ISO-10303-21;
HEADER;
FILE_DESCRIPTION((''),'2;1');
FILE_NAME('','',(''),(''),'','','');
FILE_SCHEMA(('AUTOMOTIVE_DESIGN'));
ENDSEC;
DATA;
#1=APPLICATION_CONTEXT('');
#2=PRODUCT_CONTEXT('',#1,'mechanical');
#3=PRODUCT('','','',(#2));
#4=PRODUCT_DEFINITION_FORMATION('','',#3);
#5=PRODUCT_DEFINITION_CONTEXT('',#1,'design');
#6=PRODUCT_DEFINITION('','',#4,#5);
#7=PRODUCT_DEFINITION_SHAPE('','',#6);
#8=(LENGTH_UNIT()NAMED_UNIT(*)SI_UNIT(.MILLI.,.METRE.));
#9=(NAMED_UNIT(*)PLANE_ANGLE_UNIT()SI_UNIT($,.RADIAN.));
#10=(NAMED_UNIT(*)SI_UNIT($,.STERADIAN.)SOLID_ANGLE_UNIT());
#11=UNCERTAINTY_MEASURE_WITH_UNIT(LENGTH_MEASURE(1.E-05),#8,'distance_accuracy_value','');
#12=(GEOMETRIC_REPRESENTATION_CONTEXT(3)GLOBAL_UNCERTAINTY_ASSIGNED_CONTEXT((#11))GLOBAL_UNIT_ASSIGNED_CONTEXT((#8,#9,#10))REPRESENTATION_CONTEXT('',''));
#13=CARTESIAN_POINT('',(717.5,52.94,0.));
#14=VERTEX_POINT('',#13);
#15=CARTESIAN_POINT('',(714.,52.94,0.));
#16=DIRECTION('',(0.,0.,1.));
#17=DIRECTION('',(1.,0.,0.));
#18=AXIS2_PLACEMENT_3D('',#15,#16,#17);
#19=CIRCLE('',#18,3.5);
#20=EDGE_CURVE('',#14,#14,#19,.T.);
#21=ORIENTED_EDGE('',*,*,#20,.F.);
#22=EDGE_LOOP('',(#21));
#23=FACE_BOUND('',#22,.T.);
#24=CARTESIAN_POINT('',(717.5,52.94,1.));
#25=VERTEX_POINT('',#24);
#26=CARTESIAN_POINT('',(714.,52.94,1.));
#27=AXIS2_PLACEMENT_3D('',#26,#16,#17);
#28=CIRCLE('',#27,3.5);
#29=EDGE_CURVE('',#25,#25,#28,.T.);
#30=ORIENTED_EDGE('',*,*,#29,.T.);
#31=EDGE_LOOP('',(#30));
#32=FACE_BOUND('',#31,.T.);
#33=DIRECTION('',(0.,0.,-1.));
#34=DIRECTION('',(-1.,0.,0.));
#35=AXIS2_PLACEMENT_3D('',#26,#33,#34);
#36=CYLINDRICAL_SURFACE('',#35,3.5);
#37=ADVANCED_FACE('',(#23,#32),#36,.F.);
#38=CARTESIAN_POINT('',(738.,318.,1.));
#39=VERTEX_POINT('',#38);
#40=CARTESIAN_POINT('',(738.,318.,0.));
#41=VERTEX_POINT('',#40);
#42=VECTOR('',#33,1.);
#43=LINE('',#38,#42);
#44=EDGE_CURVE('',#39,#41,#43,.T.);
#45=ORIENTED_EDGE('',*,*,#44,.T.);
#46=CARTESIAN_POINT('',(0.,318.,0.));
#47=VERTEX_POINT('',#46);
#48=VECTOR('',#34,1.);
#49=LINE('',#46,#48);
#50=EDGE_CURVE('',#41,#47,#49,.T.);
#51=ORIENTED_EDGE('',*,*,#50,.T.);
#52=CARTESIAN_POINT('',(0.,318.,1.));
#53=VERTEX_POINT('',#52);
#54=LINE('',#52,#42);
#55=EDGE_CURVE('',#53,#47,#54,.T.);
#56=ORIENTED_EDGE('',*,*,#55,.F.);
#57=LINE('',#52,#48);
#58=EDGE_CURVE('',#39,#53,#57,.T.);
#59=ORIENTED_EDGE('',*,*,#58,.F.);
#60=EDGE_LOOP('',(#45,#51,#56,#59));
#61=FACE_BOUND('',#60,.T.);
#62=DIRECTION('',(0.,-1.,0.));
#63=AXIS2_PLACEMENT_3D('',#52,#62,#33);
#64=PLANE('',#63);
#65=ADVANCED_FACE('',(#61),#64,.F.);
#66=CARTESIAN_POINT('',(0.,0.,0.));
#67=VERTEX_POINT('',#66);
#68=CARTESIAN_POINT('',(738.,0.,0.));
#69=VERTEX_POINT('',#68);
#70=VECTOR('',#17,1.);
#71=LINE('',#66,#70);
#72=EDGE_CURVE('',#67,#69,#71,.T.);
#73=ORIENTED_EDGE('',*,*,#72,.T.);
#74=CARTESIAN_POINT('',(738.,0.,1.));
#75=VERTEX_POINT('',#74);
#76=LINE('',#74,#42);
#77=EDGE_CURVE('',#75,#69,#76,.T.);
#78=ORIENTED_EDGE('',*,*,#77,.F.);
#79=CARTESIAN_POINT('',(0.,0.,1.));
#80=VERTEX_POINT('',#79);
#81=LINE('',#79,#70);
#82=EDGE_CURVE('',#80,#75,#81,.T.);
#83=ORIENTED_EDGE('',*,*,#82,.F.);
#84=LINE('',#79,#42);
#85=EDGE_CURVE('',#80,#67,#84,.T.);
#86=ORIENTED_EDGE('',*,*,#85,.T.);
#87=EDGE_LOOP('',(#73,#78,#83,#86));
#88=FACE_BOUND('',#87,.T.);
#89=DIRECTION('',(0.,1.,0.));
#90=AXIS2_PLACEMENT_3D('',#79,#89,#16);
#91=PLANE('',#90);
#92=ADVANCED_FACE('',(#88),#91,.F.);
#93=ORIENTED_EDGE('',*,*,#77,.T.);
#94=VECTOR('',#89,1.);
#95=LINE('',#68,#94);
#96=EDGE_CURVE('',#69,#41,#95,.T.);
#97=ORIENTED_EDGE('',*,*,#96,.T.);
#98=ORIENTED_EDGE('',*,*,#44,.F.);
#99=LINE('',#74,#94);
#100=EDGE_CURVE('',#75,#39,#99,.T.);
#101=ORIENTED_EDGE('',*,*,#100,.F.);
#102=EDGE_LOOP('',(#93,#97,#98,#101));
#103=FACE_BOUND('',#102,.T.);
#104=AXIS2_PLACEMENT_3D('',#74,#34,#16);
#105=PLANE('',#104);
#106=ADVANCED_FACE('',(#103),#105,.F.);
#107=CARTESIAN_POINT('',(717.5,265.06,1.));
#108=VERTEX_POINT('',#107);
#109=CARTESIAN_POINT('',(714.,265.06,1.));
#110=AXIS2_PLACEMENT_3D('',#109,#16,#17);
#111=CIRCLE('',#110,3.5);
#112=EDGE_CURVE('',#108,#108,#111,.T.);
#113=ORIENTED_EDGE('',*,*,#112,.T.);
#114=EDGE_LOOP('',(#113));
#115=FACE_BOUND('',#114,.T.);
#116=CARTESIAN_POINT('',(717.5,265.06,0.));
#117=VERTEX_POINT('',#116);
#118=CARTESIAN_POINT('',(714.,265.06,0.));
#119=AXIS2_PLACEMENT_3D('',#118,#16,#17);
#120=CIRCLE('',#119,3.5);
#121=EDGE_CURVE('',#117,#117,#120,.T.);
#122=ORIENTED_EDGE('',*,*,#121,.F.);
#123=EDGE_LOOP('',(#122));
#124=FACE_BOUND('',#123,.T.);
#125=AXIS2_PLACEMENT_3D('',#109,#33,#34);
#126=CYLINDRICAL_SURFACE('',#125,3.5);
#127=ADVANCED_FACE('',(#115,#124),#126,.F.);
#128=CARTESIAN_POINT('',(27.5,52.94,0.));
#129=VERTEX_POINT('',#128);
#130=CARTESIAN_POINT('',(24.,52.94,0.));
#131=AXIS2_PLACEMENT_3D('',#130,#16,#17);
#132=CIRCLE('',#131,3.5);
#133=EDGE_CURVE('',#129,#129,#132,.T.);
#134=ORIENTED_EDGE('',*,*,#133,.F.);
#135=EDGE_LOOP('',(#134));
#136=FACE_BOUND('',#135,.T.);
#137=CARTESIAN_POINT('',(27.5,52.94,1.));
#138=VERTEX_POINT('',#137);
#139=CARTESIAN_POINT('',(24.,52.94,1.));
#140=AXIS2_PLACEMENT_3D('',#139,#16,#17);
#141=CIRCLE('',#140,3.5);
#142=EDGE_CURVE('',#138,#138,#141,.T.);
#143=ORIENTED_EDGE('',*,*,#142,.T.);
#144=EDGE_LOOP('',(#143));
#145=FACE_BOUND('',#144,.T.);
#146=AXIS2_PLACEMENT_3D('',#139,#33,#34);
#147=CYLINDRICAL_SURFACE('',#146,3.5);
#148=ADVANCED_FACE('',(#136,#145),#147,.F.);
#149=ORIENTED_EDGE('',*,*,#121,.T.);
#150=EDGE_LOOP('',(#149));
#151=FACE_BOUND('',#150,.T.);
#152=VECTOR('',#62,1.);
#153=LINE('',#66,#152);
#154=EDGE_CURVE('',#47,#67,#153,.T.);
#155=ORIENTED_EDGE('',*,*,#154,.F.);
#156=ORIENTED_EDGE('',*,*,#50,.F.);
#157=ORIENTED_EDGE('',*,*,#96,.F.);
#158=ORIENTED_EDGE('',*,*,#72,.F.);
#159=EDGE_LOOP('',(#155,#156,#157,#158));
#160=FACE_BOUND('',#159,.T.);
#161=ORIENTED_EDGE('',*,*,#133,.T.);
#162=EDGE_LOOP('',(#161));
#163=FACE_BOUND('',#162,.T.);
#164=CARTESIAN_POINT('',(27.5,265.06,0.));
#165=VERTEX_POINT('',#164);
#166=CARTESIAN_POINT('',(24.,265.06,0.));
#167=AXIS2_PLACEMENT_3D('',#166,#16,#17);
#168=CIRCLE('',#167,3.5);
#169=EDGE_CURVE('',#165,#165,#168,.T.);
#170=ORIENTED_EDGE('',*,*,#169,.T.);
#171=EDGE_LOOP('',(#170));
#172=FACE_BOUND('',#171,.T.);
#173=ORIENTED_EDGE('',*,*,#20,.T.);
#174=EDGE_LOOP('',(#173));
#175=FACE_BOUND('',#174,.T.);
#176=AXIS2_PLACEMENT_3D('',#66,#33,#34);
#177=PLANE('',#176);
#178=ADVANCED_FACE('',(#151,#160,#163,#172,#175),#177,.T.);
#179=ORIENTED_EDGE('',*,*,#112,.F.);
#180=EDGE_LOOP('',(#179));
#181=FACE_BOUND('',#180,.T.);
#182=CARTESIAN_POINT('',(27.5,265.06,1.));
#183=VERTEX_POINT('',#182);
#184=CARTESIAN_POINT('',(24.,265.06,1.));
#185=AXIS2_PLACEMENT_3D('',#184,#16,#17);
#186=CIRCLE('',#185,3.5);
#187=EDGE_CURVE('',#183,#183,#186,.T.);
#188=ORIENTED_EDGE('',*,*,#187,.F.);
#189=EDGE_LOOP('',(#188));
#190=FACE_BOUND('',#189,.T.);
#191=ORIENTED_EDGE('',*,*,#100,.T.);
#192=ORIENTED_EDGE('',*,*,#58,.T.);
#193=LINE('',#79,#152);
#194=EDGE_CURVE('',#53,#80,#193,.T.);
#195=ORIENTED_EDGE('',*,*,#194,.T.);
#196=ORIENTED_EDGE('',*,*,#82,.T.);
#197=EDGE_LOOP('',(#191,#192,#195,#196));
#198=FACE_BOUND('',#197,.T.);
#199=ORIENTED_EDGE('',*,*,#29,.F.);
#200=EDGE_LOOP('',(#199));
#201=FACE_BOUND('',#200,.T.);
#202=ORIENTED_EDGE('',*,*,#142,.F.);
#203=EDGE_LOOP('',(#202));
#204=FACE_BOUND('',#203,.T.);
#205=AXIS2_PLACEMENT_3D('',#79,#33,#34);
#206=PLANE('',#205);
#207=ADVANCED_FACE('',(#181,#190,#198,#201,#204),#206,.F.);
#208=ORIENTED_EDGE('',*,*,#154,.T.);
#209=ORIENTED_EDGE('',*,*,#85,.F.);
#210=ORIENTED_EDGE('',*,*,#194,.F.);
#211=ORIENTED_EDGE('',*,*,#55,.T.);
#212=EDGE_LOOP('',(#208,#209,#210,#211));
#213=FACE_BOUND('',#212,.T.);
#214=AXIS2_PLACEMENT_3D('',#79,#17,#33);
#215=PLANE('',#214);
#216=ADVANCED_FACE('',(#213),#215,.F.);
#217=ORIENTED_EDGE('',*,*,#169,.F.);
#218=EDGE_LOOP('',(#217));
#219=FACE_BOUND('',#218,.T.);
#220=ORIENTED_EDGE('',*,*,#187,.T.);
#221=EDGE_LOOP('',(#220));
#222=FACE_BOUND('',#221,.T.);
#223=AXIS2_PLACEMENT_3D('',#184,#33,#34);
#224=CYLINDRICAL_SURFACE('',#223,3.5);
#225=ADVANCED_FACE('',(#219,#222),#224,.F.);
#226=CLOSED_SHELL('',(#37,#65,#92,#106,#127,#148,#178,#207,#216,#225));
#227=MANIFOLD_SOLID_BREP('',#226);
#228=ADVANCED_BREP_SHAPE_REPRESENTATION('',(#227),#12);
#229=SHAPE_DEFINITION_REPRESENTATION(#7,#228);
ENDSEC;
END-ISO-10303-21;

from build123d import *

# Parameters (mm, degrees)
SKETCH1_W           = 738
SKETCH1_H           = 318
SKETCH1_R           = 3.5
BOSS_EXTRUDE1_DEPTH = 1


with BuildPart() as part:
    # Sketch1 → Boss-Extrude1 (new body)
    with BuildSketch(Plane.XY):
        with Locations((369, 159)):
            Rectangle(SKETCH1_W, SKETCH1_H)
        with Locations((24, 265.06)):
            Circle(SKETCH1_R, mode=Mode.SUBTRACT)
        with Locations((714, 265.06)):
            Circle(SKETCH1_R, mode=Mode.SUBTRACT)
        with Locations((714, 52.94)):
            Circle(SKETCH1_R, mode=Mode.SUBTRACT)
        with Locations((24, 52.94)):
            Circle(SKETCH1_R, mode=Mode.SUBTRACT)
    extrude(amount=BOSS_EXTRUDE1_DEPTH)


solid = part.part
